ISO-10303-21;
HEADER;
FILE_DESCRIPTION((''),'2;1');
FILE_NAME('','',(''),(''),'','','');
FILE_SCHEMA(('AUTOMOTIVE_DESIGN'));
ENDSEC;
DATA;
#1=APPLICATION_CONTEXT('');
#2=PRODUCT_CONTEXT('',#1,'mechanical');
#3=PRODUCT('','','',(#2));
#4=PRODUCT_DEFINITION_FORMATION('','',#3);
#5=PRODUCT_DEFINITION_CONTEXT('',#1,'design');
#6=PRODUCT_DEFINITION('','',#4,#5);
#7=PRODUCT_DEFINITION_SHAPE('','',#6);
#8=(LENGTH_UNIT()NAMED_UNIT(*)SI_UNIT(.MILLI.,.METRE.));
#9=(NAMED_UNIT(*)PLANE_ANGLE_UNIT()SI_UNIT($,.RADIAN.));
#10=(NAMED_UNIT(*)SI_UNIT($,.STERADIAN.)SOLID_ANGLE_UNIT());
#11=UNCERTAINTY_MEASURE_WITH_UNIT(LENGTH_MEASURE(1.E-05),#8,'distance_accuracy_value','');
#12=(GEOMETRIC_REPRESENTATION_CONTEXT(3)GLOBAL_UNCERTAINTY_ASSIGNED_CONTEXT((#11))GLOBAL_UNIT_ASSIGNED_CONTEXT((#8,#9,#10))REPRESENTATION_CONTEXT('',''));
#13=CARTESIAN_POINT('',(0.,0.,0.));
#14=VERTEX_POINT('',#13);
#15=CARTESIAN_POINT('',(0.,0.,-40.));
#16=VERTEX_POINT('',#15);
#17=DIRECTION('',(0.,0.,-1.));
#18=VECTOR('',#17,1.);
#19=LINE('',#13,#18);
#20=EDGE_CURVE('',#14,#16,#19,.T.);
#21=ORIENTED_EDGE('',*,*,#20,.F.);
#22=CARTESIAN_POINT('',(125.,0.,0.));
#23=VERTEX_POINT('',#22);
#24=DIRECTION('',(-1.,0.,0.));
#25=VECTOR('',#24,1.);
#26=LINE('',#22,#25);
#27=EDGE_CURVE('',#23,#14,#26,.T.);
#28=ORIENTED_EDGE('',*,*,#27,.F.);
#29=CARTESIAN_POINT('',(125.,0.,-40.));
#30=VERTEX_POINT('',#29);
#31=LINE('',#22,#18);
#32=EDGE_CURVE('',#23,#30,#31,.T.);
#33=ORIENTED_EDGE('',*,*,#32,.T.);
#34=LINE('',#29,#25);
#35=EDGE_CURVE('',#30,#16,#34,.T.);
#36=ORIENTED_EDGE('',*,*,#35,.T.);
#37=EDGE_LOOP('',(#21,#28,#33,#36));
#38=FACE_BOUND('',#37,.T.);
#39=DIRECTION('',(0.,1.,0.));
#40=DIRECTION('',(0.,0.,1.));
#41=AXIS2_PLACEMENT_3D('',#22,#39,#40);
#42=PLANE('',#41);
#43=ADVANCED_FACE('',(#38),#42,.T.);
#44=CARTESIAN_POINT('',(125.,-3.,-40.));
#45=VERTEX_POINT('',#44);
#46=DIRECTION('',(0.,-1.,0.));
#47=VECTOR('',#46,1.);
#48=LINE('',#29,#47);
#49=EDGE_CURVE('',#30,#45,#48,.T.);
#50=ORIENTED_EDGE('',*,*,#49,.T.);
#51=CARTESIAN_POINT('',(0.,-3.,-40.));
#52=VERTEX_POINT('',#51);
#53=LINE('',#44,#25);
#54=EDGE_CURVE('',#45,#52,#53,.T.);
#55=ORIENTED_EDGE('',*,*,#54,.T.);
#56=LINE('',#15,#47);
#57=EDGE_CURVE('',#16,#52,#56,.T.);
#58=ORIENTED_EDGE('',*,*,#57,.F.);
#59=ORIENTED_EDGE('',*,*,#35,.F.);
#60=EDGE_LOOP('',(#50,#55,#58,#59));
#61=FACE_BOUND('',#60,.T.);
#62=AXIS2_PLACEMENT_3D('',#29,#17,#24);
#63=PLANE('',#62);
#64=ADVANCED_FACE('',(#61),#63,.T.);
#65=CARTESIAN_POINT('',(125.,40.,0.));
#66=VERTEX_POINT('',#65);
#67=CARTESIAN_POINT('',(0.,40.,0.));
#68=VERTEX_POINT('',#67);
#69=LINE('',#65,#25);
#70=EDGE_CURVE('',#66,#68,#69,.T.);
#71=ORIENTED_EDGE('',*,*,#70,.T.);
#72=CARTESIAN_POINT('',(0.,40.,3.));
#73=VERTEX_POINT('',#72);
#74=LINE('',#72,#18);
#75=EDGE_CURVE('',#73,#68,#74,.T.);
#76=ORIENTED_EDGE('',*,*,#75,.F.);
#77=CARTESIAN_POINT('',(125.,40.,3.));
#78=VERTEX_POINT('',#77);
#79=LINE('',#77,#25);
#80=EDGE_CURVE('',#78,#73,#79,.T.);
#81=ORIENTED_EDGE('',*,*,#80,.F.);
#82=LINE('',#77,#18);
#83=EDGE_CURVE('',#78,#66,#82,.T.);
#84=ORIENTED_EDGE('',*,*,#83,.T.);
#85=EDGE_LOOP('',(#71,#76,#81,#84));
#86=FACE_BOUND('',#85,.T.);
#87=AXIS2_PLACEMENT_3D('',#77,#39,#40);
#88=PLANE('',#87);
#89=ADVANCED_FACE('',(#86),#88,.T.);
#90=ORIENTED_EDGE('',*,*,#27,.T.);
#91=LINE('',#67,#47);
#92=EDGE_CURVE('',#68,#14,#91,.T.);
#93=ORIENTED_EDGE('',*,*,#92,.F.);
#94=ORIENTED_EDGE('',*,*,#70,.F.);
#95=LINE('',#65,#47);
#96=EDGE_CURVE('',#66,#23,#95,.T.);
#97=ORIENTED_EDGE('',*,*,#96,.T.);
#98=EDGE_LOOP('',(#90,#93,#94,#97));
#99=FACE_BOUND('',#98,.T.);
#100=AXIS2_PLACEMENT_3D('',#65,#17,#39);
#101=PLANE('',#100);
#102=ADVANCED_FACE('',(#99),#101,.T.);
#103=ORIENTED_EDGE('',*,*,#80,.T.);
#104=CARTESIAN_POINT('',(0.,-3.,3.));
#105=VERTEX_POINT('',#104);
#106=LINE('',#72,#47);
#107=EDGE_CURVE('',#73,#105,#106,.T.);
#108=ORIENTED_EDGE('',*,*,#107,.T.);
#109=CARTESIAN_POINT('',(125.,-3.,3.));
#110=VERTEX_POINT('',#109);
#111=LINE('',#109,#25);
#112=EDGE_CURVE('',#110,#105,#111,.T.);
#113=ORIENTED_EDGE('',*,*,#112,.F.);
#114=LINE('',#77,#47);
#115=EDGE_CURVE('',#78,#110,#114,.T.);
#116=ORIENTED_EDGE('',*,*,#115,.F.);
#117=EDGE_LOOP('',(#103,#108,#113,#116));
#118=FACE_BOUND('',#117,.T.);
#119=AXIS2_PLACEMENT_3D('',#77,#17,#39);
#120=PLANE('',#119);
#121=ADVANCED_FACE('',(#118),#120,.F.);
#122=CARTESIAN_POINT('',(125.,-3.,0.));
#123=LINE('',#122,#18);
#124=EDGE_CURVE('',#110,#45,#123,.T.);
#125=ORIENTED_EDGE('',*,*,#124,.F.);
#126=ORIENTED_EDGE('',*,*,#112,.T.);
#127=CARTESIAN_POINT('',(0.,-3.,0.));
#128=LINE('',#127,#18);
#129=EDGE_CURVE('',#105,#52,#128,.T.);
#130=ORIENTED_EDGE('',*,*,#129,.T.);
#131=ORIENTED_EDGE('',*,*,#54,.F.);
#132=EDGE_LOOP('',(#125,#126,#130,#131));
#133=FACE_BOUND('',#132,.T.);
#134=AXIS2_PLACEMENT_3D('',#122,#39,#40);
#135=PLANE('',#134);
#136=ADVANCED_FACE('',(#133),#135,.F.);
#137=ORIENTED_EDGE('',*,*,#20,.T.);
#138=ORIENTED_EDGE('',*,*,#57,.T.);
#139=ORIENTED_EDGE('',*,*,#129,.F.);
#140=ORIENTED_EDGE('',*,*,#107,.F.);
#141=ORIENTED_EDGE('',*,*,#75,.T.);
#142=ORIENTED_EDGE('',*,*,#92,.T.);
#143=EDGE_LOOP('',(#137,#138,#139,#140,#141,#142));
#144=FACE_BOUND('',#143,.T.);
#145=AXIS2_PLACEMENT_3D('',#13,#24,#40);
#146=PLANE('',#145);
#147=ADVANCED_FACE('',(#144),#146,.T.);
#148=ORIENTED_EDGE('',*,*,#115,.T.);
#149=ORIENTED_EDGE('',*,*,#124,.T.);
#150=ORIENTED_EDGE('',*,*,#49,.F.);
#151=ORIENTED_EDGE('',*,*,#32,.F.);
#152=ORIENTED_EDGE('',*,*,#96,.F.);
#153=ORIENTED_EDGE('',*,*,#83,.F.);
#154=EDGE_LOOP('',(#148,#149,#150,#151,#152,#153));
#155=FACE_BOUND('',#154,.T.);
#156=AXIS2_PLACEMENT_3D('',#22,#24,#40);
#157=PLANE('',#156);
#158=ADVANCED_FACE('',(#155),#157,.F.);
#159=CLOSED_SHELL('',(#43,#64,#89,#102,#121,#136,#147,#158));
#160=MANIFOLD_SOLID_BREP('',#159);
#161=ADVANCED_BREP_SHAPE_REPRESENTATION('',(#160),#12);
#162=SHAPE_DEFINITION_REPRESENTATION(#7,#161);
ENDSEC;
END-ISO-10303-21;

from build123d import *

# Parameters (mm, degrees)
EXTRUDE_1_DEPTH = 125


with BuildPart() as part:
    # Эскиз1 → Вытянуть-Тонкостенный1 (new body)
    with BuildSketch(Plane(origin=(0, 0, 0), x_dir=(0, 0, -1), z_dir=(1, 0, 0))):
        Polygon((0, 40), (0, 0), (40, 0), (40, -3), (-3, -3), (-3, 40), align=None)
    extrude(amount=EXTRUDE_1_DEPTH)


solid = part.part
